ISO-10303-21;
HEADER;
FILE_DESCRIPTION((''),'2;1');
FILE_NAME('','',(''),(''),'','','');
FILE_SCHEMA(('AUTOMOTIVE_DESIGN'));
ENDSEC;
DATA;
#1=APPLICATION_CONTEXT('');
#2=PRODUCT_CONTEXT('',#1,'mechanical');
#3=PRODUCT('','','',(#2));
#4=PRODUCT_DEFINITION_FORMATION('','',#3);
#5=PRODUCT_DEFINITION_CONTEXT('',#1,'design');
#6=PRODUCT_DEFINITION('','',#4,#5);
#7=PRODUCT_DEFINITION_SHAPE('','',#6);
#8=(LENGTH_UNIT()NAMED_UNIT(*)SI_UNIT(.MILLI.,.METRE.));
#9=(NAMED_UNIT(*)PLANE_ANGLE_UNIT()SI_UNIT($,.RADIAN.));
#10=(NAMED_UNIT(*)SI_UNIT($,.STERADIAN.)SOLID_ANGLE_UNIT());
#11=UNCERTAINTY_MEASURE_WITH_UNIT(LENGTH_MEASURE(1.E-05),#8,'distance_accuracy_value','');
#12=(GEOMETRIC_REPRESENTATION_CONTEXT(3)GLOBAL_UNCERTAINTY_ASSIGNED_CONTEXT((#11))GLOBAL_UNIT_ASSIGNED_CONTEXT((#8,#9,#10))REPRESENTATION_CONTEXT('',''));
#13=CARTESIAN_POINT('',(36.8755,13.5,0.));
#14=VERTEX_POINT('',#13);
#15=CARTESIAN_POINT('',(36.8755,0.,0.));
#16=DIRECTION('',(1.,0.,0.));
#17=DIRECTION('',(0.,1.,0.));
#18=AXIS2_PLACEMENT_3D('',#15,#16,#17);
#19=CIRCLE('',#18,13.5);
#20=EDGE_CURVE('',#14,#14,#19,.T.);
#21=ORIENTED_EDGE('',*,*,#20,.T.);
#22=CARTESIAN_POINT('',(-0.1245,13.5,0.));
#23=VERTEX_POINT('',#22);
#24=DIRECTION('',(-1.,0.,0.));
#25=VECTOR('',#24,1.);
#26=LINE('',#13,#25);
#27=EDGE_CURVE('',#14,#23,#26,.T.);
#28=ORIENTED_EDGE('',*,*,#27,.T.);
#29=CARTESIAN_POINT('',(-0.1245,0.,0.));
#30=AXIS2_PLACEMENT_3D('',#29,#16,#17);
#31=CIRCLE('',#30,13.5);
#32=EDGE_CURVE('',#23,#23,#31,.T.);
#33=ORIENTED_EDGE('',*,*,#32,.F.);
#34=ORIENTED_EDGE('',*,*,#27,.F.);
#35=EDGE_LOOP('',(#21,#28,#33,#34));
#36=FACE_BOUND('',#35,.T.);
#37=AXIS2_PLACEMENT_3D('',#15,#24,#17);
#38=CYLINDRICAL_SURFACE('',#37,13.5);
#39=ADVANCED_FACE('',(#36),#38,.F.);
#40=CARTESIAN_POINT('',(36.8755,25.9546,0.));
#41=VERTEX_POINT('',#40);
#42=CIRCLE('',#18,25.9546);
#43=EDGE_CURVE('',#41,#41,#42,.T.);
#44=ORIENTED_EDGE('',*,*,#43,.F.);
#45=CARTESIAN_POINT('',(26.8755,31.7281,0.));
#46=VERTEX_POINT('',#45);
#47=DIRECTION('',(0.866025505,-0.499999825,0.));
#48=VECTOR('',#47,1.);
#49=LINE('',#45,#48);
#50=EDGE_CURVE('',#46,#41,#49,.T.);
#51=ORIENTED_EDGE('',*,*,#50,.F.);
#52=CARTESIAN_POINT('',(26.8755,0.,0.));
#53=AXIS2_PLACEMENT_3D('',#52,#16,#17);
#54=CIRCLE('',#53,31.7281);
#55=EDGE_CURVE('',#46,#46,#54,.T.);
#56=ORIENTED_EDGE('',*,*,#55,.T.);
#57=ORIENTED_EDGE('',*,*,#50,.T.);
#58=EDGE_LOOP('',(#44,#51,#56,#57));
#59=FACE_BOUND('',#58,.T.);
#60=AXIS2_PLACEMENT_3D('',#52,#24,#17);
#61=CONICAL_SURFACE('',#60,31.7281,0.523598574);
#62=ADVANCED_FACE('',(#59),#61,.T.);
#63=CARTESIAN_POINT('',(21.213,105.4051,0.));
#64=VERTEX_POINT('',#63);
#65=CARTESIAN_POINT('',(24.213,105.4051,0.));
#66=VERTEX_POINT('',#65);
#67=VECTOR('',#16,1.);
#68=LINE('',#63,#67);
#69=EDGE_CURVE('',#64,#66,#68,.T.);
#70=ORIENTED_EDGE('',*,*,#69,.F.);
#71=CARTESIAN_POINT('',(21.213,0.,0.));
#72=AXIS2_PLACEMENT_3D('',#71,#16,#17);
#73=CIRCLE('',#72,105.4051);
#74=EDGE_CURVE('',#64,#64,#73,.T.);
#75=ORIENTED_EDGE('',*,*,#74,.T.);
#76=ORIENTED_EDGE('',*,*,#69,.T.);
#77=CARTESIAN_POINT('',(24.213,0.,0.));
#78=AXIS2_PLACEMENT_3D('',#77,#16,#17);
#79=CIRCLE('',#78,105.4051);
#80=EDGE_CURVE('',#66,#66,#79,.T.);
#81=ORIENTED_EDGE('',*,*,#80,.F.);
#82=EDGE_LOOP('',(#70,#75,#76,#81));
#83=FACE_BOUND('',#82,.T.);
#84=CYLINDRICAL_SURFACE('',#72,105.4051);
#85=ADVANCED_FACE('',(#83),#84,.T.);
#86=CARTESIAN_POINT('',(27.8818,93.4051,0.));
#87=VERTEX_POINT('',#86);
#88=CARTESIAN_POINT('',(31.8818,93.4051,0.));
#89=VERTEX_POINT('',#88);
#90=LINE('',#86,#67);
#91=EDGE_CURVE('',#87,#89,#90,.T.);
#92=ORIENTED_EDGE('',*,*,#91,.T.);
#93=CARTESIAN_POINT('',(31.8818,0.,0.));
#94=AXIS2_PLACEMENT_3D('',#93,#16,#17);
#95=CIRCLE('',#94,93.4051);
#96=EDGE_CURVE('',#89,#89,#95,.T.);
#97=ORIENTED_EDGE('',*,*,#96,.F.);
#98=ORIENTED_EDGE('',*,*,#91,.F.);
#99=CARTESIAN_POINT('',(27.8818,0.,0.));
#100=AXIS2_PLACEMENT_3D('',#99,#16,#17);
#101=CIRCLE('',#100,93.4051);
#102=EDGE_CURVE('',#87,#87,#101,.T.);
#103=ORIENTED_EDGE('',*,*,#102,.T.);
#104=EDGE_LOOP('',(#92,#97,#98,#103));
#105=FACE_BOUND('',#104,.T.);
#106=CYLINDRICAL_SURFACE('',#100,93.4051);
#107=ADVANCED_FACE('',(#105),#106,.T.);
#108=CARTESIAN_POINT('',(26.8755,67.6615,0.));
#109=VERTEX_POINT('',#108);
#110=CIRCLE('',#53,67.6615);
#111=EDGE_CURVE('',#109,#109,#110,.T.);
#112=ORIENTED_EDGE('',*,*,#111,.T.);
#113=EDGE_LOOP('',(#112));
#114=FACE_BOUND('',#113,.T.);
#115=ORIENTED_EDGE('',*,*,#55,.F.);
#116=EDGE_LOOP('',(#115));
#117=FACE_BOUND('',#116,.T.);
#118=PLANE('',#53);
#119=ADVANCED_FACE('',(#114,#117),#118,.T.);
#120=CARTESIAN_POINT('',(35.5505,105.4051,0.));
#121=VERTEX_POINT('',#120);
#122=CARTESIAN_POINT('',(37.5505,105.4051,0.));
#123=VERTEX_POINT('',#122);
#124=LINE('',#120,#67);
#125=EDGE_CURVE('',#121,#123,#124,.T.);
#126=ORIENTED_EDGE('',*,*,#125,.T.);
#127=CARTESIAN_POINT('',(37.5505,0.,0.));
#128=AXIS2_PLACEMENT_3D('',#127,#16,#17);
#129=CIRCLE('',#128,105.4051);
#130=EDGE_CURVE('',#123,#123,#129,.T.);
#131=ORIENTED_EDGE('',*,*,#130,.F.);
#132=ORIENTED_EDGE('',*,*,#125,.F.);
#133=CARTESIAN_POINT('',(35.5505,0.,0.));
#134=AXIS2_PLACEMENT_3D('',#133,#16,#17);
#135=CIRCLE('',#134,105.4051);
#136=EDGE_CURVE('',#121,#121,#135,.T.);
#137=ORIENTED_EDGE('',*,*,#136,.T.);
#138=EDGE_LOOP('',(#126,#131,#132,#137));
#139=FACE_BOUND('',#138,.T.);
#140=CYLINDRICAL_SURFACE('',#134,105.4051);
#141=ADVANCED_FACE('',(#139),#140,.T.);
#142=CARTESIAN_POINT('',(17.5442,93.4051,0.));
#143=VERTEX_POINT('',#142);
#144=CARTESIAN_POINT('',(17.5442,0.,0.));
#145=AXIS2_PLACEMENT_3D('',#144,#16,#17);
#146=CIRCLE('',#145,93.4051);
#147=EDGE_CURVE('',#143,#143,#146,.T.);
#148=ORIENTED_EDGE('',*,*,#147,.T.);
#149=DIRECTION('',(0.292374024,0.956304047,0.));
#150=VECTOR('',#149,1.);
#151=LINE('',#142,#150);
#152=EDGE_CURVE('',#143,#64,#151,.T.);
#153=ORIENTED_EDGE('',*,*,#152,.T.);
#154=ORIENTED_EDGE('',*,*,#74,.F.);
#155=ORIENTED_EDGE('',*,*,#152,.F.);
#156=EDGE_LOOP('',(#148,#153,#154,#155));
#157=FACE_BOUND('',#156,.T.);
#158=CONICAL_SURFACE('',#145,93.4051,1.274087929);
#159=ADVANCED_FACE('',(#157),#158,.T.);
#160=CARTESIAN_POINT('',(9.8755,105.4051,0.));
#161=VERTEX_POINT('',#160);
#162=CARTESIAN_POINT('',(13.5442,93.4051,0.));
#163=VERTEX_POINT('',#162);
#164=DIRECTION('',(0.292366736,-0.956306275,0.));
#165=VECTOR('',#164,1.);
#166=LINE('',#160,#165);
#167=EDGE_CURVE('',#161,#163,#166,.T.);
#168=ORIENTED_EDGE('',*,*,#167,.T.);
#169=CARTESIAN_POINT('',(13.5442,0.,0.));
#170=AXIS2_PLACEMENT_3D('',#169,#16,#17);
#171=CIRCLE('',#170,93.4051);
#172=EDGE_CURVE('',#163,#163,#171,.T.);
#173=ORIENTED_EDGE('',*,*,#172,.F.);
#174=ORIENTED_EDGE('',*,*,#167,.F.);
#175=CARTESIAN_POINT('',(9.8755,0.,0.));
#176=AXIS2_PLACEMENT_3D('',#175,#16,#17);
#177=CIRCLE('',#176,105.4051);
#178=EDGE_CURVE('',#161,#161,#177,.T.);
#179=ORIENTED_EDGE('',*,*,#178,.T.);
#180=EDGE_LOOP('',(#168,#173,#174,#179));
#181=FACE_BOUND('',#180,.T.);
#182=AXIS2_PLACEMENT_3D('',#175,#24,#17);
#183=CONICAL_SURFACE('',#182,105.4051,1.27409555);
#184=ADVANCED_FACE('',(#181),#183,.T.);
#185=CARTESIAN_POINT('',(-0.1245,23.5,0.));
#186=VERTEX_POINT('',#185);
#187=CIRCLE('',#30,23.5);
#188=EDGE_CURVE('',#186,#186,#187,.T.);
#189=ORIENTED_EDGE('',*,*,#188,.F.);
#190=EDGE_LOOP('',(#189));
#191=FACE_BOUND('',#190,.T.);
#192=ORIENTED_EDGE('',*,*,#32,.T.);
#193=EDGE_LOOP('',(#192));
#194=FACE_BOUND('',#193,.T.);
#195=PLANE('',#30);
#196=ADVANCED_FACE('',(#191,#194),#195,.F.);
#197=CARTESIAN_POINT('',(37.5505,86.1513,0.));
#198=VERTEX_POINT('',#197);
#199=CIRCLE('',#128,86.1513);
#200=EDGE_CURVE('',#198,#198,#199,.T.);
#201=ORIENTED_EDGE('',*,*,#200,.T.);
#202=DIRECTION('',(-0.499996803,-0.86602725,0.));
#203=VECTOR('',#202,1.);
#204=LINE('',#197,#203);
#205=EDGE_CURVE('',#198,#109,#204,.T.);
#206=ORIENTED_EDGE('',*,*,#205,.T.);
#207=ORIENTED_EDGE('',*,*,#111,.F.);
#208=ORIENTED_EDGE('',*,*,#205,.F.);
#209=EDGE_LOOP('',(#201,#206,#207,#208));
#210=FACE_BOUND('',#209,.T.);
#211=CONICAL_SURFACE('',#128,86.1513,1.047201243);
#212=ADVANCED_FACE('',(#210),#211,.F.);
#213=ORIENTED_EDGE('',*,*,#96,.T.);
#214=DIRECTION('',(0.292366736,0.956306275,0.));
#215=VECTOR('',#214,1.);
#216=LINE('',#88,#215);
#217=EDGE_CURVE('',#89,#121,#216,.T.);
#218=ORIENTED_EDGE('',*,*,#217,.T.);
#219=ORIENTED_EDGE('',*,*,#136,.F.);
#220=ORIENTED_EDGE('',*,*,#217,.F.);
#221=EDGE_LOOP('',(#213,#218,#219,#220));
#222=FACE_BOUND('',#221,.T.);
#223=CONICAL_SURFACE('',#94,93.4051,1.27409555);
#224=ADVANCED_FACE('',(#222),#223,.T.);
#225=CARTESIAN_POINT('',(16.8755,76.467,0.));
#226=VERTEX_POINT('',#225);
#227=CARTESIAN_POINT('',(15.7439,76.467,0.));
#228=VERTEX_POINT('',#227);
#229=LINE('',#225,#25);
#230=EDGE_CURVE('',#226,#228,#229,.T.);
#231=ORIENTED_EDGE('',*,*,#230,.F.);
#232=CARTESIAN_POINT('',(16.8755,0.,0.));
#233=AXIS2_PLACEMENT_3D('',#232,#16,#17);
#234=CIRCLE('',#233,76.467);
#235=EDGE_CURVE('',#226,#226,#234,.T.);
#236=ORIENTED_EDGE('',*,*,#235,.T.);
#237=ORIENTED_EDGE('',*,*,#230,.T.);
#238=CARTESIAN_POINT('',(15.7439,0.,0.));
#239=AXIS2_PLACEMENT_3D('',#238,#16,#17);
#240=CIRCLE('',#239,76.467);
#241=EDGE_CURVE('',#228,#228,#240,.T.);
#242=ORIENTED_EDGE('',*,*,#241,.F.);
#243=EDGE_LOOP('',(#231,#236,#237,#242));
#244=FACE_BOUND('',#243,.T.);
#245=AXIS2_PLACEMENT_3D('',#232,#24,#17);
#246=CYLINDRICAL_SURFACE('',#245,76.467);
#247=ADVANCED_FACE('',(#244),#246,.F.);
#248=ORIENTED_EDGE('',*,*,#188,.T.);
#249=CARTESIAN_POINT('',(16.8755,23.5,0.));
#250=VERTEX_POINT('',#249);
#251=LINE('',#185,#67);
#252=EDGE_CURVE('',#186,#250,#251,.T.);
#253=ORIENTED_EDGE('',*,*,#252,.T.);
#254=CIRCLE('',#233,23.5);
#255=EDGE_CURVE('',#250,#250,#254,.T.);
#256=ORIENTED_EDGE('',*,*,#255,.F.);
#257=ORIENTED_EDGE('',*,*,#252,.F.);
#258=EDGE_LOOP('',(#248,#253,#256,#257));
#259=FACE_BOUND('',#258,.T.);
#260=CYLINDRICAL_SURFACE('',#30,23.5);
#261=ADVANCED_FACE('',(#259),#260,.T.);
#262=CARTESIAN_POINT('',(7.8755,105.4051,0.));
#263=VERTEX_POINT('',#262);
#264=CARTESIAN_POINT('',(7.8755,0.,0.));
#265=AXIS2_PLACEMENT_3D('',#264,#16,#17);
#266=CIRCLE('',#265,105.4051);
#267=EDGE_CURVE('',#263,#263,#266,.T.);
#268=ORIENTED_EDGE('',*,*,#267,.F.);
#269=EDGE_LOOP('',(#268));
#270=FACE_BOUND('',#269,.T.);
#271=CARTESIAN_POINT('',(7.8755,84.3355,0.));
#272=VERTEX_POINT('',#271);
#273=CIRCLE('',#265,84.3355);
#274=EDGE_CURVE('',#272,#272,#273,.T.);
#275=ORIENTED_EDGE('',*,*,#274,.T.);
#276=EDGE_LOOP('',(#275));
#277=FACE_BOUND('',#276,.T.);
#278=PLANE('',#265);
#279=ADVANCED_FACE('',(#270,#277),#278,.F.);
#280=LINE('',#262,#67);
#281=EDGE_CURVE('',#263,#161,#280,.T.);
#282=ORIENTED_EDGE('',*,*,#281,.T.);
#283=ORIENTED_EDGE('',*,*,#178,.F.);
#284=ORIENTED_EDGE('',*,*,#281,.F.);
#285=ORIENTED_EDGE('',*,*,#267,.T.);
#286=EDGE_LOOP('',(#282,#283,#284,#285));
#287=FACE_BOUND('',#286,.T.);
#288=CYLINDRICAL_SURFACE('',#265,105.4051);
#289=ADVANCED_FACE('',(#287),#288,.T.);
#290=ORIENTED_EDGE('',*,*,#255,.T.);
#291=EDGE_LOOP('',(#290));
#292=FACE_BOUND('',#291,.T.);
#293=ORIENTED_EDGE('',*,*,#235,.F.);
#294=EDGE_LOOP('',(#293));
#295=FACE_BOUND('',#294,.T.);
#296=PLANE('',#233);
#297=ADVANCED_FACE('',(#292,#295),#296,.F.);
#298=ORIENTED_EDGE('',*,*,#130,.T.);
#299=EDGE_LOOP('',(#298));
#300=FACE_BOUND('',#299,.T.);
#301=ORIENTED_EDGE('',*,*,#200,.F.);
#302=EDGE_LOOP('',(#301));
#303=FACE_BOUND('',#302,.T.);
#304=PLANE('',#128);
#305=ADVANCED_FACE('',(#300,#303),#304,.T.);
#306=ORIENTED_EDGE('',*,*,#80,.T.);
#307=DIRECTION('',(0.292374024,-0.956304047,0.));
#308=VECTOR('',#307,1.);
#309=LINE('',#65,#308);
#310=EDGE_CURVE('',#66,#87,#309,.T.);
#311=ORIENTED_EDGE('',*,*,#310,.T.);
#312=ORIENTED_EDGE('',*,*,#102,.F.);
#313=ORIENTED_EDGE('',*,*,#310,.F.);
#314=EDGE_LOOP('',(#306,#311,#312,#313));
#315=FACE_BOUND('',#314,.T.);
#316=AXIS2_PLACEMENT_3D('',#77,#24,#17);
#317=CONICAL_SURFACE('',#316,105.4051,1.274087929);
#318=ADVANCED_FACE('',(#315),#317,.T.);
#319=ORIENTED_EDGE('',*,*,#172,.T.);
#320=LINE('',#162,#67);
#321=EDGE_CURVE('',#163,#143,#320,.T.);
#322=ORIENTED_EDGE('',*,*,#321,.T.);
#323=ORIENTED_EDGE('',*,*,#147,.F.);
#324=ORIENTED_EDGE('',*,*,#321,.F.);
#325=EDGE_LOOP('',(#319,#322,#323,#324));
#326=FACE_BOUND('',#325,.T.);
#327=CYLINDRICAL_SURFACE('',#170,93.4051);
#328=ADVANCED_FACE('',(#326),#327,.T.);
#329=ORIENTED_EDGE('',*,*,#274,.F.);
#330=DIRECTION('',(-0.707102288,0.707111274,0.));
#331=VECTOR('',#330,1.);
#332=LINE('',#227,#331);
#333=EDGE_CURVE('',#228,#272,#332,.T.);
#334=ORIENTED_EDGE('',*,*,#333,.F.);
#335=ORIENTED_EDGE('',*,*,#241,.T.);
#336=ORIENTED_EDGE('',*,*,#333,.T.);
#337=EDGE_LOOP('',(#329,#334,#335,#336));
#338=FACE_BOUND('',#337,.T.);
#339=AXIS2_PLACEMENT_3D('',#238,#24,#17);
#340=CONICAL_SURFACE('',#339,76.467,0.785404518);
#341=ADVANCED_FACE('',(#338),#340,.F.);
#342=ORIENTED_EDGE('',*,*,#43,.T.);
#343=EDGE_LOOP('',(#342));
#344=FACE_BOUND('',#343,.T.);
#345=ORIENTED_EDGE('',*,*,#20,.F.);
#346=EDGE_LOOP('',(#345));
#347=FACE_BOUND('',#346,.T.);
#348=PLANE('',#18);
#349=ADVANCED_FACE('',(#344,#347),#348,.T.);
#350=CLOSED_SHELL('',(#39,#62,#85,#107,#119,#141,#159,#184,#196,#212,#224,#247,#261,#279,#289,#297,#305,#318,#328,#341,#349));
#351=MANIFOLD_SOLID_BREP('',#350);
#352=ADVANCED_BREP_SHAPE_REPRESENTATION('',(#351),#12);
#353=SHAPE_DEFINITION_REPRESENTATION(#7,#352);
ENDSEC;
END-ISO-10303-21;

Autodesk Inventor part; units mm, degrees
ref_plane "YZ Plane" through (0, 0, 0) normal (1, 0, 0) x (0, 1, 0)
ref_plane "XZ Plane" through (0, 0, 0) normal (0, 1, 0) x (-1, 0, 0)
ref_plane "XY Plane" through (0, 0, 0) normal (0, 0, 1) x (1, 0, 0)
sketch "Sketch1" plane through (0, 0, 0) normal (0, 0, 1) x (1, 0, 0)
  line L0 (-0.1245, 13.5) -> (-0.1245, 23.5)
  line L1 (-0.1245, 23.5) -> (16.8755, 23.5)
  line L2 (16.8755, 23.5) -> (16.8755, 76.467)
  line L3 (16.8755, 76.467) -> (15.7439, 76.467)
  line L4 (15.7439, 76.467) -> (7.8755, 84.3355)
  line L5 (7.8755, 84.3355) -> (7.8755, 105.4051)
  line L6 (7.8755, 105.4051) -> (9.8755, 105.4051)
  line L7 (9.8755, 105.4051) -> (13.5442, 93.4051)
  line L8 (13.5442, 93.4051) -> (17.5442, 93.4051)
  line L9 (17.5442, 93.4051) -> (21.213, 105.4051)
  line L10 (21.213, 105.4051) -> (24.213, 105.4051)
  line L11 (24.213, 105.4051) -> (27.8818, 93.4051)
  line L12 (27.8818, 93.4051) -> (31.8818, 93.4051)
  line L13 (31.8818, 93.4051) -> (35.5505, 105.4051)
  line L14 (35.5505, 105.4051) -> (37.5505, 105.4051)
  line L15 (37.5505, 105.4051) -> (37.5505, 86.1513)
  line L16 (37.5505, 86.1513) -> (26.8755, 67.6615)
  line L17 (26.8755, 67.6615) -> (26.8755, 31.7281)
  line L18 (26.8755, 31.7281) -> (36.8755, 25.9546)
  line L19 (36.8755, 25.9546) -> (36.8755, 13.5)
  line L20 (36.8755, 13.5) -> (-0.1245, 13.5)
  line L21 (0, 0) -> (56.7105, 0)
  point P0 (7.8755, 94.8703)
  point P1 (16.8755, 49.9835)
  point P2 (8.3755, 23.5)
  point P3 (28.3552, 0)
  point P4 (36.8755, 19.7273)
  dimension "d0" = 27
  dimension "d1" = 17
  dimension "d3" = 8
  dimension "d4" = 2
  dimension "d5" = 107
  dimension "d6" = 107
  dimension "d7" = 3
  dimension "d8" = 12
  dimension "d9" = 107
  dimension "d10" = 2
  dimension "d11" = 4
  dimension "d12" = 4
  dimension "d13" = 10
  dimension "d14" = 45
  dimension "d15" = 30
  dimension "d16" = 47
  dimension "d17" = 60
  dimension "d18" = 155
  dimension "d19" = 10
revolve "Revolution1" add sketch "Sketch1" angle 360 about axis through (0, 0, 0) along (1, 0, 0)
properties part number "polia"
